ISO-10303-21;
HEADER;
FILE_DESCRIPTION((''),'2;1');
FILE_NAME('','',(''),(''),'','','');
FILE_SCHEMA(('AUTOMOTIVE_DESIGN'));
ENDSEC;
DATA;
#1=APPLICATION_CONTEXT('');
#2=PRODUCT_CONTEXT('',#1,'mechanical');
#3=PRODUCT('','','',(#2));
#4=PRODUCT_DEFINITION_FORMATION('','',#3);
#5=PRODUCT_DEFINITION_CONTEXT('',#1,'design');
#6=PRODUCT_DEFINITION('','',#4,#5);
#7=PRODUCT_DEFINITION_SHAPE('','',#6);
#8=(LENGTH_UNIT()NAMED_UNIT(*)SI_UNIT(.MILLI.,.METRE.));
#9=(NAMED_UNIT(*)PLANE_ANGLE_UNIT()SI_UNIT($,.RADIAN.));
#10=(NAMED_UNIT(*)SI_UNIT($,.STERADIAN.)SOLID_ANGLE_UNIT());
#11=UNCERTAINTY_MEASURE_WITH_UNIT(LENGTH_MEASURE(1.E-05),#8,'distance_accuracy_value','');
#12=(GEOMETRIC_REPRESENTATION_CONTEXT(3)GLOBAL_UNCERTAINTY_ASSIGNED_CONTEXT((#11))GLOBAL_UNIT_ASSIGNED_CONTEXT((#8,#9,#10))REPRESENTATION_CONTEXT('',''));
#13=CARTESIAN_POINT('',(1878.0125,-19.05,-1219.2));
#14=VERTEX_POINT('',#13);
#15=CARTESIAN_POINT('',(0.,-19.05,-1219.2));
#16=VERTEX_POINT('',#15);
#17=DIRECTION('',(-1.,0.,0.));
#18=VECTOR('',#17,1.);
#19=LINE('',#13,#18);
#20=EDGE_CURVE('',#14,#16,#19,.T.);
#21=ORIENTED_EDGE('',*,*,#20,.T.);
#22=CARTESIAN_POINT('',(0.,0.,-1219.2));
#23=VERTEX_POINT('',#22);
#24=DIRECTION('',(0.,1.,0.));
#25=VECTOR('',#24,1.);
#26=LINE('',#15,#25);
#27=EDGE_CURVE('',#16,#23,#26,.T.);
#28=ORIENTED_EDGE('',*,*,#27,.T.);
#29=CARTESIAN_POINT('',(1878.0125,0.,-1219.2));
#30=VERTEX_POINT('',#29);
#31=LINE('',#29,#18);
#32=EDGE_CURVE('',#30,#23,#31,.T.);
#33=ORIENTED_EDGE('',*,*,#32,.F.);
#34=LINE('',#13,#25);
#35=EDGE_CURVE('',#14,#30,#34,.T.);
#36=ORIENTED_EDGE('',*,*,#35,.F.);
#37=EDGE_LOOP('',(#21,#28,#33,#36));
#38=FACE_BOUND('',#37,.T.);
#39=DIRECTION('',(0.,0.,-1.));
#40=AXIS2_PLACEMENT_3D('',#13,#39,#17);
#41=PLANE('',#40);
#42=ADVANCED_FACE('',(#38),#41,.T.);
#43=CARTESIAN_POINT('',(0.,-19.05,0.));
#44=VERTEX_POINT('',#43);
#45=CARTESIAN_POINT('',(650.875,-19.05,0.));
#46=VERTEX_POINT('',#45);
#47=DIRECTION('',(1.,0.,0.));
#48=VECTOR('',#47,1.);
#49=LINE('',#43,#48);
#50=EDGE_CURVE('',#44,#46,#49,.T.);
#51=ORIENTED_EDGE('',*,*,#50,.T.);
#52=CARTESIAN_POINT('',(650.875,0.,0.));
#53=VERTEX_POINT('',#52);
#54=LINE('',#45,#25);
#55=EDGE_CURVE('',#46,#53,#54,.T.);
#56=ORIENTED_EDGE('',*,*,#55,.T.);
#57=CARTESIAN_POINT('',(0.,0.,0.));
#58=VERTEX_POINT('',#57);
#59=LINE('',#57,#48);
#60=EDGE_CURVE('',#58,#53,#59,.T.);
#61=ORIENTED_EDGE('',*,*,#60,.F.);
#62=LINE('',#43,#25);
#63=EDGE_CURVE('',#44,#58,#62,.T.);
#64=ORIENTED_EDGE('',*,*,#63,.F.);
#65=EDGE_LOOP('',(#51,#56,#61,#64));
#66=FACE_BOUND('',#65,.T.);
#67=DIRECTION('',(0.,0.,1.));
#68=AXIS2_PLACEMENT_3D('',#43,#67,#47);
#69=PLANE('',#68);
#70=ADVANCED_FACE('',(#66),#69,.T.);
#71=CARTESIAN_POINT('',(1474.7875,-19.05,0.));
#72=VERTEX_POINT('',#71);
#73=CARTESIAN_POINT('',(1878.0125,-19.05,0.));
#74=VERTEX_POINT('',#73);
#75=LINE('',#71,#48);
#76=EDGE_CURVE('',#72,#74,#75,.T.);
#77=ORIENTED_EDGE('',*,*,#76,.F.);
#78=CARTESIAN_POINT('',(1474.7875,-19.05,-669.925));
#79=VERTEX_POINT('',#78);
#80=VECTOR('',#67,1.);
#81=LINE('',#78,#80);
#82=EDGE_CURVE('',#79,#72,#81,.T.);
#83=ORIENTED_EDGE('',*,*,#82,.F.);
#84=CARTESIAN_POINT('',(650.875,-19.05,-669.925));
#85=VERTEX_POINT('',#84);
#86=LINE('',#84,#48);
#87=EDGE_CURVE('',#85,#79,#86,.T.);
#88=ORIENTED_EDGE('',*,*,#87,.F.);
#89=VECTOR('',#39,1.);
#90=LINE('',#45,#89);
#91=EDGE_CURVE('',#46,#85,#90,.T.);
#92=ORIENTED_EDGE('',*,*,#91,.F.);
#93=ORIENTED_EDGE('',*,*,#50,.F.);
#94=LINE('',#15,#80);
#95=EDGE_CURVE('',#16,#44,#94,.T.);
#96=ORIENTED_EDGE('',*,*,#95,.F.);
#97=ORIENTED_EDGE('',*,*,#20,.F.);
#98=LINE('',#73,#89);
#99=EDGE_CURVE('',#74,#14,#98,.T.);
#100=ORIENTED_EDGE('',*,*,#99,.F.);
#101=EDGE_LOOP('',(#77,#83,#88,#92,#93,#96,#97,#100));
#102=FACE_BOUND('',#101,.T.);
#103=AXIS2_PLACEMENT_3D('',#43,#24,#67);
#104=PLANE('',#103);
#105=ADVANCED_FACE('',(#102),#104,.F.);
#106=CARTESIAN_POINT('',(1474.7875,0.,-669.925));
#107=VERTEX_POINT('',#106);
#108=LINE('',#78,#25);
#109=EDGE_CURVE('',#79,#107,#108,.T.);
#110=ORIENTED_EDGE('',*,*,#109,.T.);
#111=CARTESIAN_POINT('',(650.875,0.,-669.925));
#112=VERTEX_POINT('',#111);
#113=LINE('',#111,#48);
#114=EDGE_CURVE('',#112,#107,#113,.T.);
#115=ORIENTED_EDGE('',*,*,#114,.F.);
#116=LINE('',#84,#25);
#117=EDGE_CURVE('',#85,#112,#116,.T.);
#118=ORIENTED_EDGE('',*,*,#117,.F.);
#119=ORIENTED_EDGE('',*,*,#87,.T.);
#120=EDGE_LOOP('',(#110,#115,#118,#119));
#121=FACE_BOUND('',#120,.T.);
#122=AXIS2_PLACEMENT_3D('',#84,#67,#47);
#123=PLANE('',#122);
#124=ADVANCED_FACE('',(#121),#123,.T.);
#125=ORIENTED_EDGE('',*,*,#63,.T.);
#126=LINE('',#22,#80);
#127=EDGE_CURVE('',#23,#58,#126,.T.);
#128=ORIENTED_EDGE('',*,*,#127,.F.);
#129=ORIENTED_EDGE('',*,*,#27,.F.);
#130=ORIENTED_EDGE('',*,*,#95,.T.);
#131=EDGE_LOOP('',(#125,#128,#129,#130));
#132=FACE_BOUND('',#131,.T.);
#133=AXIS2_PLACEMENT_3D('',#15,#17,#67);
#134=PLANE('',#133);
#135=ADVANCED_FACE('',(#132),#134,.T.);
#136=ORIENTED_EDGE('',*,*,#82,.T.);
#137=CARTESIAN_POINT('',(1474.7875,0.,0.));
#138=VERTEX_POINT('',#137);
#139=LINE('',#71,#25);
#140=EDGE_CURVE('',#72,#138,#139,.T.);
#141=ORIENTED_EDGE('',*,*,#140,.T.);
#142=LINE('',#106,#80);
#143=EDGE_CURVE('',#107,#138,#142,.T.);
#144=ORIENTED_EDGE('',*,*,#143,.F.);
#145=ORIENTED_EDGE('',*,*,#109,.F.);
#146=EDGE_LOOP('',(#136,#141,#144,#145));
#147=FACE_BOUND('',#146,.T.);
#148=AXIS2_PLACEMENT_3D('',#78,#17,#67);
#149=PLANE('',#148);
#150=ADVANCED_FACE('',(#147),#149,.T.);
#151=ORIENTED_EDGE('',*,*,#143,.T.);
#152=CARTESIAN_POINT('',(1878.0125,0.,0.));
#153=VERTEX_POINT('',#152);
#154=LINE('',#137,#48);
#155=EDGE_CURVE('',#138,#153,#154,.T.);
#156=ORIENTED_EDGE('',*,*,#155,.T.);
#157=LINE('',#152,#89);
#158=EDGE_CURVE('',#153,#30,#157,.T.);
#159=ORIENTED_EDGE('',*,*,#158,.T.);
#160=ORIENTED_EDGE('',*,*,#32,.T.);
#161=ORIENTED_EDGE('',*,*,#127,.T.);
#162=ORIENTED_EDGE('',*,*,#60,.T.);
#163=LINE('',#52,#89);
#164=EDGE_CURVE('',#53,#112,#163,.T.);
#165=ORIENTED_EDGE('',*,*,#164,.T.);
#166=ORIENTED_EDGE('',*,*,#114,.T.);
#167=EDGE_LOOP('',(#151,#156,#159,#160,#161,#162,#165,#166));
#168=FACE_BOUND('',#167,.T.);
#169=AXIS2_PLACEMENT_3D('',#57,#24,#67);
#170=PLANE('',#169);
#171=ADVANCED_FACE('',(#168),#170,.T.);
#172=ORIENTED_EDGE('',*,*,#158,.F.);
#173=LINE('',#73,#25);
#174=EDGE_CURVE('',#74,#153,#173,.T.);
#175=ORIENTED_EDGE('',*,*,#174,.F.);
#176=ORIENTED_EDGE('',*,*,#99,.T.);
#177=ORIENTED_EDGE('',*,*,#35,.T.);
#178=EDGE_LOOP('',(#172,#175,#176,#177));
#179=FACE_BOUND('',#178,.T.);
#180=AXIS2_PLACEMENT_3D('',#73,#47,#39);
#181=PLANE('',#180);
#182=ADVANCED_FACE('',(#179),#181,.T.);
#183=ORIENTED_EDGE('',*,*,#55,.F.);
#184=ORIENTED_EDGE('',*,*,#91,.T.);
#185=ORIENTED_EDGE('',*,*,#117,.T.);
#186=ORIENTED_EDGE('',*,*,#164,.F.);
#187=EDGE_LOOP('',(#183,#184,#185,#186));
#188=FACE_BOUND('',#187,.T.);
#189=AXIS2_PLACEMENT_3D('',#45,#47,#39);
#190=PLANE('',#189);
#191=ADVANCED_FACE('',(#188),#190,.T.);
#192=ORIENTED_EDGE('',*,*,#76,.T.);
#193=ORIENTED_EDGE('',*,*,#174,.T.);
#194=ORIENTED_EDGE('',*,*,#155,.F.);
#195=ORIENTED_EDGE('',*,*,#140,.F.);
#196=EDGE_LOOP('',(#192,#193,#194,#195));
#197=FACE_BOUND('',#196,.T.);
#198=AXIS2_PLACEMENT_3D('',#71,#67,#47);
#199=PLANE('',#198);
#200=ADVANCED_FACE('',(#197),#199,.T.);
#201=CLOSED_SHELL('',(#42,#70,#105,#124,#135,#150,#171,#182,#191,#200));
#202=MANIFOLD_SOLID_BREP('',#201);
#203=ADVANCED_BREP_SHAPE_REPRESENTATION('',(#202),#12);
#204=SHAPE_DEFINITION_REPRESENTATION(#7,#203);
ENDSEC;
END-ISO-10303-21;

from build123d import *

# Parameters (mm, degrees)
BOSS_EXTRUDE1_DEPTH = 19.05


with BuildPart() as part:
    # Sketch1 → Boss-Extrude1 (new body)
    with BuildSketch(Plane(origin=(0, 0, 0), x_dir=(1, 0, 0), z_dir=(0, 1, 0))):
        Polygon((650.875, 0), (650.875, 669.925), (1474.7875, 669.925), (1474.7875, 0), (1878.0125, 0), (1878.0125, 1219.2), (0, 1219.2), (0, 0), align=None)
    extrude(amount=-BOSS_EXTRUDE1_DEPTH)


solid = part.part
